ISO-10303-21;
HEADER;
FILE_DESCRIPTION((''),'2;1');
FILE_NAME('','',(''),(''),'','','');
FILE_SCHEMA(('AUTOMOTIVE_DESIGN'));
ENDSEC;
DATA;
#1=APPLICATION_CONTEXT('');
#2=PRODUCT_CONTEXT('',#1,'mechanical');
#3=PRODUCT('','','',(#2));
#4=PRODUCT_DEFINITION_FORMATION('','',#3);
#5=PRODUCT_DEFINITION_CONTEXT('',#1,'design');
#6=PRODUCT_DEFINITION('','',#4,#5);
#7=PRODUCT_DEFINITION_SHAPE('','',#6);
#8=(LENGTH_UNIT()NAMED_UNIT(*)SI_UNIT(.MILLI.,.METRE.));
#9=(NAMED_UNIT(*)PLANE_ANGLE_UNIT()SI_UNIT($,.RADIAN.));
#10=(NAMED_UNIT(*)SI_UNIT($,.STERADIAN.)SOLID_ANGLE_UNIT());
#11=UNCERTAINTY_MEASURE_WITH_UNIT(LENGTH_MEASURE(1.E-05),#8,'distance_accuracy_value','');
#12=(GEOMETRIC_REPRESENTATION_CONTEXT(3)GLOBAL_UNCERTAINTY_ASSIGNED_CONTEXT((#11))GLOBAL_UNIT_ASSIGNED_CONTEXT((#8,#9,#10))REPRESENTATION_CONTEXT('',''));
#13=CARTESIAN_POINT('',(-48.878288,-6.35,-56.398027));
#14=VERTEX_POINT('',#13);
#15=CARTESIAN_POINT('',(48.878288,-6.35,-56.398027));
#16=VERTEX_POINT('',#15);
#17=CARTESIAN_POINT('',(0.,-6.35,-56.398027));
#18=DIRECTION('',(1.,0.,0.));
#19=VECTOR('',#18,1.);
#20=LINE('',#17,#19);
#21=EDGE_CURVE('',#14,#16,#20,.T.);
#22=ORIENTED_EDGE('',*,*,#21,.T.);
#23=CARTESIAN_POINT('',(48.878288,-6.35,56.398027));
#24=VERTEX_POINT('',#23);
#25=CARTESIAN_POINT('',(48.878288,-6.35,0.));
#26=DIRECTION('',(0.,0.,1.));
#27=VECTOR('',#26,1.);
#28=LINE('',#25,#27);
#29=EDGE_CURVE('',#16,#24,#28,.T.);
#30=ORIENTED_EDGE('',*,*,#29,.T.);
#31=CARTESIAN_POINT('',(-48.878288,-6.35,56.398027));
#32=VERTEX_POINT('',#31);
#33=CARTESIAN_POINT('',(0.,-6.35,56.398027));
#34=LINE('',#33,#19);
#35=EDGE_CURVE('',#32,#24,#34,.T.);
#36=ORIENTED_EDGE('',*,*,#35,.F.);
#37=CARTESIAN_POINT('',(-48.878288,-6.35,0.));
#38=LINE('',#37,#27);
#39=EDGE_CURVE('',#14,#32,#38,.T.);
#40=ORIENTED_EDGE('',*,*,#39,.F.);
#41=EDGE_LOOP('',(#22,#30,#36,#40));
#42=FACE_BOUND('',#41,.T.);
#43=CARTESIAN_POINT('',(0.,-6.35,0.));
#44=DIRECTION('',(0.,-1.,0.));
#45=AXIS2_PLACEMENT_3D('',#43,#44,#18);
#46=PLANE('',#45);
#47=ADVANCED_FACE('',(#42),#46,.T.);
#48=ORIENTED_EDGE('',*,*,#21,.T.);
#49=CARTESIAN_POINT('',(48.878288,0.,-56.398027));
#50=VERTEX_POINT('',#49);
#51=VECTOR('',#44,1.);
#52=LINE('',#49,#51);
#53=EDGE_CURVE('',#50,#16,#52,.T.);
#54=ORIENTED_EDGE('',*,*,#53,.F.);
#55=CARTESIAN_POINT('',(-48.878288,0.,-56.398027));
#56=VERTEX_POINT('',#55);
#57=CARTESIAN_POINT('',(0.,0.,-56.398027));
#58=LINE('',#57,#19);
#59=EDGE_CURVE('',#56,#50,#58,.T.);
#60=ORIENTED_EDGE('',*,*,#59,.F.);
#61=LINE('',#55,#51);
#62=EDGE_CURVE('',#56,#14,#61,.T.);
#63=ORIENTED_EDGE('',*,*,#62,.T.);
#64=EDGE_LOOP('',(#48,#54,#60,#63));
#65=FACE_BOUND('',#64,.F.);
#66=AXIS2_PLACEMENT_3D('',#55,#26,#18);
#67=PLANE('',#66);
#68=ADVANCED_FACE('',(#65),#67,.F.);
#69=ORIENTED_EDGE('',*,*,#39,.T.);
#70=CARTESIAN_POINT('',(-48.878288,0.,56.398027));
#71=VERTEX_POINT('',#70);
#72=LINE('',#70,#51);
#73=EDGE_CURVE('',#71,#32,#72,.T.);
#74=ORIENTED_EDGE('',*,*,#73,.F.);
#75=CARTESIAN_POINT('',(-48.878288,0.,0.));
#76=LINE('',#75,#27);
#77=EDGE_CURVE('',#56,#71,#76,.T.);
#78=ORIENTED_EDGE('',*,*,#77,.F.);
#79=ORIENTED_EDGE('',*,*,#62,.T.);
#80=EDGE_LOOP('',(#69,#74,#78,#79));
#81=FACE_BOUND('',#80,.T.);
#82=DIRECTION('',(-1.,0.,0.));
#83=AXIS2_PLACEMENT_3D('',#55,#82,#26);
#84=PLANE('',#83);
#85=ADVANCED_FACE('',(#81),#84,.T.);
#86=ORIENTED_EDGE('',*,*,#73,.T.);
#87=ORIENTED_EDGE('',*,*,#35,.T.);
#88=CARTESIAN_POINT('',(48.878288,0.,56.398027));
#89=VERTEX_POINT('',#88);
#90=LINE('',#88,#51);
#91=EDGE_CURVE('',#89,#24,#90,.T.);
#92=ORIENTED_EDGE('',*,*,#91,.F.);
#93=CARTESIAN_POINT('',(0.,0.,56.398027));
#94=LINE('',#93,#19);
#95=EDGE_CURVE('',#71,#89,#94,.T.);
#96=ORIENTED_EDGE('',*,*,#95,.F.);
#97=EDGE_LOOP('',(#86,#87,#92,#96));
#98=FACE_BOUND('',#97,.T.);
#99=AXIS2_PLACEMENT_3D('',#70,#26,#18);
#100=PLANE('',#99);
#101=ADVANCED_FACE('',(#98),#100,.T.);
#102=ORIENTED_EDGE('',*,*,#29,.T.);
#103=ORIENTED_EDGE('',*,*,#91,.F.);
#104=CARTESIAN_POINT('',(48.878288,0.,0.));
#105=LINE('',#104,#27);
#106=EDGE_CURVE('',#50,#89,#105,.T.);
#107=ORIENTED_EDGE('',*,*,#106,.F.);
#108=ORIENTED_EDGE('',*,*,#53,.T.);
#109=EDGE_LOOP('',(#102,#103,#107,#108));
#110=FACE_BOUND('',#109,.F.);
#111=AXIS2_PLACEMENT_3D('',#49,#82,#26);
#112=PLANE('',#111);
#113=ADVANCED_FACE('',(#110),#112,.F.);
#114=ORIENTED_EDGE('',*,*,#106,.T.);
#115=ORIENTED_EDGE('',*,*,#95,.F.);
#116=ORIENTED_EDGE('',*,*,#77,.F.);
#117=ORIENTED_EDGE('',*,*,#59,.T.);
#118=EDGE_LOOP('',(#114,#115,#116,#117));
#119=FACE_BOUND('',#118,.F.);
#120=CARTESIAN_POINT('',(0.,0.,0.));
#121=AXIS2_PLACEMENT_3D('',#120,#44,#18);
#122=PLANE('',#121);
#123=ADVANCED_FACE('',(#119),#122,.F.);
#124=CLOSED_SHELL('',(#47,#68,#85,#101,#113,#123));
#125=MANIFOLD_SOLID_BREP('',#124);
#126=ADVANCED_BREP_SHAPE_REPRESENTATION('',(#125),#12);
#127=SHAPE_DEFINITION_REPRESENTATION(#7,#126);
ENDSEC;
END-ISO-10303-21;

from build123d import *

# Parameters (mm, degrees)
F0_W     = 97.756576
F0_H     = 112.796054
F1_DEPTH = 6.35


with BuildPart() as f1:
    # F0 (on Front) → F1 (new body)
    with BuildSketch(Plane.XZ):
        with Locations((-2e-06, 0)):
            Rectangle(F0_W, F0_H)
    extrude(amount=F1_DEPTH)


solid = f1.part
